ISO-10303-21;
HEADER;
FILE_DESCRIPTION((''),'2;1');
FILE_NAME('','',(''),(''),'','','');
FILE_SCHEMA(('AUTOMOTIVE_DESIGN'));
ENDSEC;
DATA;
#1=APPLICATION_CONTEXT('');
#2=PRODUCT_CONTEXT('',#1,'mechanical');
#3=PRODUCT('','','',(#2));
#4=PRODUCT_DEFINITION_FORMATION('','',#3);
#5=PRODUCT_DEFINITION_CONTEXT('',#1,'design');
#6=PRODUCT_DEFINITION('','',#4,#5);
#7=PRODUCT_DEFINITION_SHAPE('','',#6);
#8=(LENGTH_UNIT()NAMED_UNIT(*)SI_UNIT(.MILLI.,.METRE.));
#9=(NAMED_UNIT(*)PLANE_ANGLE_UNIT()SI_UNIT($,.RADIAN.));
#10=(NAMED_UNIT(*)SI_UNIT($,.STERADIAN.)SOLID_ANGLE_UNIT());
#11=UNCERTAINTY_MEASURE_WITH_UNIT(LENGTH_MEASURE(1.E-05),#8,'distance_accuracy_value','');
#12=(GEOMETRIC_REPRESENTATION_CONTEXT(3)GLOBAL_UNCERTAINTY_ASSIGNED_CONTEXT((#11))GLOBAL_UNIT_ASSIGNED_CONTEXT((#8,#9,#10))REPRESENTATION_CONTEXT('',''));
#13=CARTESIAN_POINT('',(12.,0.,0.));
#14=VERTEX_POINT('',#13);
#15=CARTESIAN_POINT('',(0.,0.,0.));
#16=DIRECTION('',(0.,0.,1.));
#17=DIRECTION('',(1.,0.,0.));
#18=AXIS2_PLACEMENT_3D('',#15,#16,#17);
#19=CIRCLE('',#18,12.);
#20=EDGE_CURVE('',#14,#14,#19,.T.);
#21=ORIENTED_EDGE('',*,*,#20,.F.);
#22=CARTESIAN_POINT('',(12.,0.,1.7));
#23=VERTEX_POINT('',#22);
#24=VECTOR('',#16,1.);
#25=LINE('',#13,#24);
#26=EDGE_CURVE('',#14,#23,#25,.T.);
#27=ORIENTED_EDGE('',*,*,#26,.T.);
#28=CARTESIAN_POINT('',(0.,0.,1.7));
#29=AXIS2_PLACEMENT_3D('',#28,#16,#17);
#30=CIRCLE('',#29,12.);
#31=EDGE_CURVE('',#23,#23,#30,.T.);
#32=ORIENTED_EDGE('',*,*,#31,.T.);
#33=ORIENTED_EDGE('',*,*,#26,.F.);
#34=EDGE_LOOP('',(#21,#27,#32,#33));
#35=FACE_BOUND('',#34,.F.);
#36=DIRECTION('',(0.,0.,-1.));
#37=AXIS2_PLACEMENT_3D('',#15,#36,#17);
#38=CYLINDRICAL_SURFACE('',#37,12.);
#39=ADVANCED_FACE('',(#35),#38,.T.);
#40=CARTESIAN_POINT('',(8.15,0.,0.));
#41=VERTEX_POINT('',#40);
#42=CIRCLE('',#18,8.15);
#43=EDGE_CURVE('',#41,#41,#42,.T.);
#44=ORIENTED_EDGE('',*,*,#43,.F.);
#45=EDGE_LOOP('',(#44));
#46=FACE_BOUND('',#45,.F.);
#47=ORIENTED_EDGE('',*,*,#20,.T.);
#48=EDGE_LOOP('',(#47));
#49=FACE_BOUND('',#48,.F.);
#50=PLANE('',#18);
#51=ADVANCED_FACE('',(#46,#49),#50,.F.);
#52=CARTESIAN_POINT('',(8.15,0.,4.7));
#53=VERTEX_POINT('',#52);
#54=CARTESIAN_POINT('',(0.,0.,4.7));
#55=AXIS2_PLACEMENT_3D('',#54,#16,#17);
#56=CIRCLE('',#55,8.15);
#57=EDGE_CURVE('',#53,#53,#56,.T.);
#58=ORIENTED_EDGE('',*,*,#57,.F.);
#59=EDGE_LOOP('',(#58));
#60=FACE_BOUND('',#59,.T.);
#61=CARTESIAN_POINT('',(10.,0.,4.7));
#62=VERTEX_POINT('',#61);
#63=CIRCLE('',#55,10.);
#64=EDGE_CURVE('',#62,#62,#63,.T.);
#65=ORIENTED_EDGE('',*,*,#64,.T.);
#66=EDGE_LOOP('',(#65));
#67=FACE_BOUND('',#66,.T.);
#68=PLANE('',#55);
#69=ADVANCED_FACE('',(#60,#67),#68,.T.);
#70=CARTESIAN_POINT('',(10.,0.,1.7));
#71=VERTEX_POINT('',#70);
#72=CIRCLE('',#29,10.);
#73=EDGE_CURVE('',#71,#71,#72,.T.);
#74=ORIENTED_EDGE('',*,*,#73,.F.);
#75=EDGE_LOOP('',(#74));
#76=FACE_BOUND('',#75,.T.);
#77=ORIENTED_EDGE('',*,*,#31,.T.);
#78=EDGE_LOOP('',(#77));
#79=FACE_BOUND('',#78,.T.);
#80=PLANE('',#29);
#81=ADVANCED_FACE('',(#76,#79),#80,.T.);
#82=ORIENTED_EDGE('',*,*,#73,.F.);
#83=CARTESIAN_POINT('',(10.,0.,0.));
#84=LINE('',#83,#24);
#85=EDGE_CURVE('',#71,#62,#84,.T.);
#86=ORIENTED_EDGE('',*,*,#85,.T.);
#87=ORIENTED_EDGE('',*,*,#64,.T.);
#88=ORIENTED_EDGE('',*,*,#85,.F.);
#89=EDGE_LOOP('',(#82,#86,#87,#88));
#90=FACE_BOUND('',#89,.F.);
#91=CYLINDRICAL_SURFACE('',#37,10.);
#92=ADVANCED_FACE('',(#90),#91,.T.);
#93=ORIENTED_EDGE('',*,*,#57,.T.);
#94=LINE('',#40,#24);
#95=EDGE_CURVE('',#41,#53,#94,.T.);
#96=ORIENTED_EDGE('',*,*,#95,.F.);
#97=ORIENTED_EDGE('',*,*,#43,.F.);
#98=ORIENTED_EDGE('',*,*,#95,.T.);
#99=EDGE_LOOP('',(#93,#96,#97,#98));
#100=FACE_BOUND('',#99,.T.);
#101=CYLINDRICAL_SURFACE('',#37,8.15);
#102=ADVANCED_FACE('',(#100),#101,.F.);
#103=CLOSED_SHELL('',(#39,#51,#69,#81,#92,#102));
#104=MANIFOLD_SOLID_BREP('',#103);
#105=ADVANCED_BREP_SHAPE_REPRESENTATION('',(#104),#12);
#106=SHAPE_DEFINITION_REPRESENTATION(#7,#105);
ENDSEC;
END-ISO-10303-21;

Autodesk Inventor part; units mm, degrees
ref_plane "YZ Plane" through (0, 0, 0) normal (1, 0, 0) x (0, 1, 0)
ref_plane "XZ Plane" through (0, 0, 0) normal (0, 1, 0) x (-1, 0, 0)
ref_plane "XY Plane" through (0, 0, 0) normal (0, 0, 1) x (1, 0, 0)
sketch "Sketch1" plane through (0, 0, 0) normal (0, 0, 1) x (1, 0, 0)
  circle A0 centre (0, 0) radius 8.15
  circle A1 centre (0, 0) radius 10
  circle A2 centre (0, 0) radius 12
  dimension "d0" = 16.3
  dimension "d1" = 20
  dimension "d2" = 24
extrude "Extrusion1" add sketch "Sketch1" along normal blind 4.7 contours A1
extrude "Extrusion2" add sketch "Sketch1" along normal blind 1.7 contours A2
equation "\"d0\" = inner_d"
equation "\"d1\" = outer_d"
equation "\"d5\" = spacing"
equation "\"inner_d\" = 16.3"
equation "\"outer_d\" = 20"
equation "\"spacing\" = 1.7"
properties part number "Bushing"
